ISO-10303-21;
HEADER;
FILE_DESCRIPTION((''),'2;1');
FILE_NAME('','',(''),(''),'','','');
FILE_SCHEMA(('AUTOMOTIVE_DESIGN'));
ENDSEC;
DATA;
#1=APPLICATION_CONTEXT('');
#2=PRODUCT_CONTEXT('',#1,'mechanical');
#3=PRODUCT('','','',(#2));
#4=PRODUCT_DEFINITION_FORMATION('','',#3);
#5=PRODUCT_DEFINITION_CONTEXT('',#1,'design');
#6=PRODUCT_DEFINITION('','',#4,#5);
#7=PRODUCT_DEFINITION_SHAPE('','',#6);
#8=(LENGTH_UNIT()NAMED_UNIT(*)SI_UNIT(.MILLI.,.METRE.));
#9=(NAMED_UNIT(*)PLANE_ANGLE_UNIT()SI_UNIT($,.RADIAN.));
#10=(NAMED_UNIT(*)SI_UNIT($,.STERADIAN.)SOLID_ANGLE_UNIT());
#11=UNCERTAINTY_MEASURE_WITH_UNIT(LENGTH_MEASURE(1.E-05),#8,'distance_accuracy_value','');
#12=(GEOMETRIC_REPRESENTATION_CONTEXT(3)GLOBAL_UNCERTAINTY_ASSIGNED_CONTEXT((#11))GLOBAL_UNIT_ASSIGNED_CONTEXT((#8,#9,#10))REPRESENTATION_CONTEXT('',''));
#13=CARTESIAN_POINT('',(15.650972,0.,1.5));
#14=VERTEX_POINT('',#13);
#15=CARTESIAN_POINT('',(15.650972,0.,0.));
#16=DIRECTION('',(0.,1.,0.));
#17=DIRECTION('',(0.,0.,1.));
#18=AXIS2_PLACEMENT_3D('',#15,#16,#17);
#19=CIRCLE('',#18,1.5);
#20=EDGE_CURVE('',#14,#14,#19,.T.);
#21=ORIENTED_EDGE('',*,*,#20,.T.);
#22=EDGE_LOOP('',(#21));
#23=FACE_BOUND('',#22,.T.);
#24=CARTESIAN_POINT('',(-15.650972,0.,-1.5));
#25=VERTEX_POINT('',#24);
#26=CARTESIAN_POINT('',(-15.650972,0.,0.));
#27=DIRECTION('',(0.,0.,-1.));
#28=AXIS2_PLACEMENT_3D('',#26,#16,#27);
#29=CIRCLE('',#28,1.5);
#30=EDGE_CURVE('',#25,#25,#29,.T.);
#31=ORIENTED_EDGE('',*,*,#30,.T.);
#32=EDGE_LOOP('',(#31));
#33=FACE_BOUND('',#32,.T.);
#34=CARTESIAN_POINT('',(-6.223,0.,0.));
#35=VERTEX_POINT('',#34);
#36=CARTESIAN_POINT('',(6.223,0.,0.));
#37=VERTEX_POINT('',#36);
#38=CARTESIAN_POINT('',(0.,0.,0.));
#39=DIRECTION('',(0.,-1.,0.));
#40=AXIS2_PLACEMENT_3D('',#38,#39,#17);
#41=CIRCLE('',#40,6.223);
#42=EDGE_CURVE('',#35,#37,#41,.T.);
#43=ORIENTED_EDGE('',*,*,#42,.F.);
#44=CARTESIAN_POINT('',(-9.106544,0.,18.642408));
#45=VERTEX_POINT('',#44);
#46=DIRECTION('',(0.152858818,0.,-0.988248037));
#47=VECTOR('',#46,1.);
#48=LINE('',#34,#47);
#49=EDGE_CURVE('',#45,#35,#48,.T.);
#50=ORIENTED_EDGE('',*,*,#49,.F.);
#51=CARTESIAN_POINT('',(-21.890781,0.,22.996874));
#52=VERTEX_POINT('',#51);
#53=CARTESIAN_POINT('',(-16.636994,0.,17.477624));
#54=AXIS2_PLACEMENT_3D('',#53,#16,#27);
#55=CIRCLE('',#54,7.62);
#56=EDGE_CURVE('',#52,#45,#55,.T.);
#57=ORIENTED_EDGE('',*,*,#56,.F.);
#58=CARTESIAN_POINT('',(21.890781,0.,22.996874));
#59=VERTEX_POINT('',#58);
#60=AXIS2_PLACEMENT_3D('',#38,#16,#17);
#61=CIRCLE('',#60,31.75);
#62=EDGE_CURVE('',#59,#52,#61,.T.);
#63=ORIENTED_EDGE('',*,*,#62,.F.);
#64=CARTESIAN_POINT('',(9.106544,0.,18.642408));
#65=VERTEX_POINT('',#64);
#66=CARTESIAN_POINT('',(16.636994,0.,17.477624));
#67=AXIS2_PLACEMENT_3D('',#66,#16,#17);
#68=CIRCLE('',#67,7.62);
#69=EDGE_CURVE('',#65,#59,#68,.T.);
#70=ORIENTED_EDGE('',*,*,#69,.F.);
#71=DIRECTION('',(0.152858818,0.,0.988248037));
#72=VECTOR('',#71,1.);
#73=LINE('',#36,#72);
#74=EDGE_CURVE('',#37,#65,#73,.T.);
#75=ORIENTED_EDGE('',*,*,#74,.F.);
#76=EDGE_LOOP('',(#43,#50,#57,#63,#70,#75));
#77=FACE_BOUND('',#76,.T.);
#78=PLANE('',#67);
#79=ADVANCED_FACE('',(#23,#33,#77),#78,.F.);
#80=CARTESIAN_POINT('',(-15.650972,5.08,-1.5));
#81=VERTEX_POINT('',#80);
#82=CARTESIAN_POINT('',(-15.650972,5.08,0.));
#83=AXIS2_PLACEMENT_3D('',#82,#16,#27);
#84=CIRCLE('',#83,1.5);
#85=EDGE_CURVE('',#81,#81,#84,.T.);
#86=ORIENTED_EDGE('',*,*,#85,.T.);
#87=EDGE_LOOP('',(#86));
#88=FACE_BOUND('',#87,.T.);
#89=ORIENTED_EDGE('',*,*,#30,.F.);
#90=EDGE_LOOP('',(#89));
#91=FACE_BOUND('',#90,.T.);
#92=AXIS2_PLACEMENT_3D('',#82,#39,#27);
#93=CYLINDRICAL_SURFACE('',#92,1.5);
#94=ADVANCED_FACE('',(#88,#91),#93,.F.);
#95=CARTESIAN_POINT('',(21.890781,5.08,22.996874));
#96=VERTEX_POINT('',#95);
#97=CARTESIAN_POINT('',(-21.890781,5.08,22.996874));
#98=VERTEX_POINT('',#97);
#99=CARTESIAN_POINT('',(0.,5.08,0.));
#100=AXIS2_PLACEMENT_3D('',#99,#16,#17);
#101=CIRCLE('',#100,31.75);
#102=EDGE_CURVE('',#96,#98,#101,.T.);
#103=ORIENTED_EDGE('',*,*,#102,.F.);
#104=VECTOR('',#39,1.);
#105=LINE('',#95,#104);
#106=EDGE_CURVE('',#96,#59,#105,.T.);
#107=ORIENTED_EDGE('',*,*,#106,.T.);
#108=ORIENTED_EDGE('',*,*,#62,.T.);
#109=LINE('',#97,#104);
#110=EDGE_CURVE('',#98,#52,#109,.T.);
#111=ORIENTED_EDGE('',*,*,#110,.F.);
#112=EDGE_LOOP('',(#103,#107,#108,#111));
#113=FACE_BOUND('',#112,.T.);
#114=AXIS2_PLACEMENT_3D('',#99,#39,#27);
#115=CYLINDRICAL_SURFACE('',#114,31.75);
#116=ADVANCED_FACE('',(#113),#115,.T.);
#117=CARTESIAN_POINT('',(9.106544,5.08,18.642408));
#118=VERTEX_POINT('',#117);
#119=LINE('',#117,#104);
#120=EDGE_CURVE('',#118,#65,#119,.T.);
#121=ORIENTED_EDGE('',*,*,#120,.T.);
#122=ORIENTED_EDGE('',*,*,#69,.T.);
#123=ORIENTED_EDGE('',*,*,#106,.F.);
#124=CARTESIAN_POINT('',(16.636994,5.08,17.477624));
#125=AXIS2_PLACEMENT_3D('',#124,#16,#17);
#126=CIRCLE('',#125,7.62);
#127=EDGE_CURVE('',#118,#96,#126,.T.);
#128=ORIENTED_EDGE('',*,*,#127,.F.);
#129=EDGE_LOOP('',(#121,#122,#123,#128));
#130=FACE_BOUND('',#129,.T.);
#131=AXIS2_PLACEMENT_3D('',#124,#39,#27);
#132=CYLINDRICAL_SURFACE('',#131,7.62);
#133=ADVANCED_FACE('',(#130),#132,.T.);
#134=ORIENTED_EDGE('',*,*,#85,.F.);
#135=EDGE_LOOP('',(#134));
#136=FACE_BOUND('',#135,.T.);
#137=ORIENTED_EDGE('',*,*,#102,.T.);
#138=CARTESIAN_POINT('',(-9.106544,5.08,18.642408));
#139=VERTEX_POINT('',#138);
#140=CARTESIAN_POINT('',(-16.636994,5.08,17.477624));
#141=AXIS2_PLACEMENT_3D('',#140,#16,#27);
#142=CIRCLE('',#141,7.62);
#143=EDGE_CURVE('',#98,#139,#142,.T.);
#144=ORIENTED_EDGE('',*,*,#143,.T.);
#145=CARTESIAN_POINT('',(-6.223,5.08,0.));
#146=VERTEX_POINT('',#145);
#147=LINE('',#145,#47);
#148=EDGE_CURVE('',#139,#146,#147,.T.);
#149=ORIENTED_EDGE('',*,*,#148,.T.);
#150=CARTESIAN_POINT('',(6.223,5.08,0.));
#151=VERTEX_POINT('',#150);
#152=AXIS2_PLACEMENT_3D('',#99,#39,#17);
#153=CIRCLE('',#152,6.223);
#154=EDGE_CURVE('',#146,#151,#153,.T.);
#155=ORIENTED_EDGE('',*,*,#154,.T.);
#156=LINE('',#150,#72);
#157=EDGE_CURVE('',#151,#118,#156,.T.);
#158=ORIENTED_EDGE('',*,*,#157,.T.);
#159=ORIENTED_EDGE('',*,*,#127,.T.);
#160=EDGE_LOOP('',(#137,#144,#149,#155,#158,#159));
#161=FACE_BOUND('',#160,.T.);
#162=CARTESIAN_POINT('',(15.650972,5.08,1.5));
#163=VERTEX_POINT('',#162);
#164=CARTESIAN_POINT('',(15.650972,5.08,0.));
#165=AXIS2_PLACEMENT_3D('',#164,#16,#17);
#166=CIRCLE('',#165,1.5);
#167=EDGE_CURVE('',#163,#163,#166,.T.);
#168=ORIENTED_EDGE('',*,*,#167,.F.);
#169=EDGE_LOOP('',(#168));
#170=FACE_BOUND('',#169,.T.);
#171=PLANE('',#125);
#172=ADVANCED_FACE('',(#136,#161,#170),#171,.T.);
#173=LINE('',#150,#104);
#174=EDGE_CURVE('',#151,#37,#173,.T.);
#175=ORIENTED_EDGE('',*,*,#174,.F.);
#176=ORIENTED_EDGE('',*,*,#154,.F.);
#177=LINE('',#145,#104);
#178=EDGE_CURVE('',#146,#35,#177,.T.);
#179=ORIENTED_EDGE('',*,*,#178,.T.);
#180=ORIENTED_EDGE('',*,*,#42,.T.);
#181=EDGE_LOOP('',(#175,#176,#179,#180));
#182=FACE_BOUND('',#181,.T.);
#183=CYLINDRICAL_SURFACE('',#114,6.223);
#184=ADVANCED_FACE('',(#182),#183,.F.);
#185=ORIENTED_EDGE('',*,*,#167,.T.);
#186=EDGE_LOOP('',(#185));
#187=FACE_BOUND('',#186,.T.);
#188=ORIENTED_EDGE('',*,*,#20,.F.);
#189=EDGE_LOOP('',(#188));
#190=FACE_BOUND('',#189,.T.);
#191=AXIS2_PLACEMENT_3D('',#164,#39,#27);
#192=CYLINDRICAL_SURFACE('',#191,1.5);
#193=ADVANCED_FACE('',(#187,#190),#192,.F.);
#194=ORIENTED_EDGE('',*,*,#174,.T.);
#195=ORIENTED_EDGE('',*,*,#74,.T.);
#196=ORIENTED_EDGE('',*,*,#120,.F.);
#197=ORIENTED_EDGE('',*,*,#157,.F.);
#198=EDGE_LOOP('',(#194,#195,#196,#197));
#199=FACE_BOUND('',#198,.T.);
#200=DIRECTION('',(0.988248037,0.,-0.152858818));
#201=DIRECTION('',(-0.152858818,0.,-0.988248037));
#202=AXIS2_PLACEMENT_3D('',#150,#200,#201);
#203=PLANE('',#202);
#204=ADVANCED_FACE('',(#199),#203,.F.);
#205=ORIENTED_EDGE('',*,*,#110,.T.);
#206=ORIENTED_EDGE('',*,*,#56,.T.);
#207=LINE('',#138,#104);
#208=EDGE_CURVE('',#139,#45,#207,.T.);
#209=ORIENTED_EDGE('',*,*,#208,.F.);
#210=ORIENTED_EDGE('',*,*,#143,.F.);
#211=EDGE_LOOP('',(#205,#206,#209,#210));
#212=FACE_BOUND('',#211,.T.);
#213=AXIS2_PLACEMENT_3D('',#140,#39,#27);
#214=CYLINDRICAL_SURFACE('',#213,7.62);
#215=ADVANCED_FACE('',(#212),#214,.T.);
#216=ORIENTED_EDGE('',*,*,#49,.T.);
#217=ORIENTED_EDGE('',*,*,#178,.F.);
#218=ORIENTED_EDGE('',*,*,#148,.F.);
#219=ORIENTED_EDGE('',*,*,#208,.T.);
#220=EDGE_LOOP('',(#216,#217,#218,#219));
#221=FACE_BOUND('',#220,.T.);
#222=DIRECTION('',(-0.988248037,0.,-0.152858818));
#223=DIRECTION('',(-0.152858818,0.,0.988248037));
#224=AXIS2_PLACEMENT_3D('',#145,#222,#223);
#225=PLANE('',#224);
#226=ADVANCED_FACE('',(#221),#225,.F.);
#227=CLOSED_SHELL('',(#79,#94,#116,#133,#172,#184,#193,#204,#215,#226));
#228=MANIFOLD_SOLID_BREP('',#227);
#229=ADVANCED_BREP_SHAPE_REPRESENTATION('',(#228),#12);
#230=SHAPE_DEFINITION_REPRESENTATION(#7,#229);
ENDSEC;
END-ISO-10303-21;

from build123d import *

# Parameters (mm, degrees)
SKETCH1_R           = 1.5
BOSS_EXTRUDE1_DEPTH = 5.08


with BuildPart() as part:
    # Sketch1 → Boss-Extrude1 (new body)
    with BuildSketch(Plane(origin=(0, 0, 0), x_dir=(1, 0, 0), z_dir=(0, 1, 0))):
        with BuildLine():
            Line((6.223, 0), (9.106543772, -18.642408089))
            ThreePointArc((9.106543772, -18.642408089), (14.180138014, -24.690685628), (21.89078133, -22.996873543))
            ThreePointArc((21.89078133, -22.996873543), (0, 31.75), (-21.89078133, -22.996873543))
            ThreePointArc((-21.89078133, -22.996873543), (-14.180138014, -24.690685628), (-9.106543772, -18.642408089))
            Line((-9.106543772, -18.642408089), (-6.223, 0))
            ThreePointArc((-6.223, 0), (0, 6.223), (6.223, 0))
        make_face()
        with Locations(Location((15.65097218, 0, 0), (0, 0, 270))):
            Circle(SKETCH1_R, mode=Mode.SUBTRACT)
        with Locations(Location((-15.65097218, 0, 0), (0, 0, 90))):
            Circle(SKETCH1_R, mode=Mode.SUBTRACT)
    extrude(amount=BOSS_EXTRUDE1_DEPTH)


solid = part.part
